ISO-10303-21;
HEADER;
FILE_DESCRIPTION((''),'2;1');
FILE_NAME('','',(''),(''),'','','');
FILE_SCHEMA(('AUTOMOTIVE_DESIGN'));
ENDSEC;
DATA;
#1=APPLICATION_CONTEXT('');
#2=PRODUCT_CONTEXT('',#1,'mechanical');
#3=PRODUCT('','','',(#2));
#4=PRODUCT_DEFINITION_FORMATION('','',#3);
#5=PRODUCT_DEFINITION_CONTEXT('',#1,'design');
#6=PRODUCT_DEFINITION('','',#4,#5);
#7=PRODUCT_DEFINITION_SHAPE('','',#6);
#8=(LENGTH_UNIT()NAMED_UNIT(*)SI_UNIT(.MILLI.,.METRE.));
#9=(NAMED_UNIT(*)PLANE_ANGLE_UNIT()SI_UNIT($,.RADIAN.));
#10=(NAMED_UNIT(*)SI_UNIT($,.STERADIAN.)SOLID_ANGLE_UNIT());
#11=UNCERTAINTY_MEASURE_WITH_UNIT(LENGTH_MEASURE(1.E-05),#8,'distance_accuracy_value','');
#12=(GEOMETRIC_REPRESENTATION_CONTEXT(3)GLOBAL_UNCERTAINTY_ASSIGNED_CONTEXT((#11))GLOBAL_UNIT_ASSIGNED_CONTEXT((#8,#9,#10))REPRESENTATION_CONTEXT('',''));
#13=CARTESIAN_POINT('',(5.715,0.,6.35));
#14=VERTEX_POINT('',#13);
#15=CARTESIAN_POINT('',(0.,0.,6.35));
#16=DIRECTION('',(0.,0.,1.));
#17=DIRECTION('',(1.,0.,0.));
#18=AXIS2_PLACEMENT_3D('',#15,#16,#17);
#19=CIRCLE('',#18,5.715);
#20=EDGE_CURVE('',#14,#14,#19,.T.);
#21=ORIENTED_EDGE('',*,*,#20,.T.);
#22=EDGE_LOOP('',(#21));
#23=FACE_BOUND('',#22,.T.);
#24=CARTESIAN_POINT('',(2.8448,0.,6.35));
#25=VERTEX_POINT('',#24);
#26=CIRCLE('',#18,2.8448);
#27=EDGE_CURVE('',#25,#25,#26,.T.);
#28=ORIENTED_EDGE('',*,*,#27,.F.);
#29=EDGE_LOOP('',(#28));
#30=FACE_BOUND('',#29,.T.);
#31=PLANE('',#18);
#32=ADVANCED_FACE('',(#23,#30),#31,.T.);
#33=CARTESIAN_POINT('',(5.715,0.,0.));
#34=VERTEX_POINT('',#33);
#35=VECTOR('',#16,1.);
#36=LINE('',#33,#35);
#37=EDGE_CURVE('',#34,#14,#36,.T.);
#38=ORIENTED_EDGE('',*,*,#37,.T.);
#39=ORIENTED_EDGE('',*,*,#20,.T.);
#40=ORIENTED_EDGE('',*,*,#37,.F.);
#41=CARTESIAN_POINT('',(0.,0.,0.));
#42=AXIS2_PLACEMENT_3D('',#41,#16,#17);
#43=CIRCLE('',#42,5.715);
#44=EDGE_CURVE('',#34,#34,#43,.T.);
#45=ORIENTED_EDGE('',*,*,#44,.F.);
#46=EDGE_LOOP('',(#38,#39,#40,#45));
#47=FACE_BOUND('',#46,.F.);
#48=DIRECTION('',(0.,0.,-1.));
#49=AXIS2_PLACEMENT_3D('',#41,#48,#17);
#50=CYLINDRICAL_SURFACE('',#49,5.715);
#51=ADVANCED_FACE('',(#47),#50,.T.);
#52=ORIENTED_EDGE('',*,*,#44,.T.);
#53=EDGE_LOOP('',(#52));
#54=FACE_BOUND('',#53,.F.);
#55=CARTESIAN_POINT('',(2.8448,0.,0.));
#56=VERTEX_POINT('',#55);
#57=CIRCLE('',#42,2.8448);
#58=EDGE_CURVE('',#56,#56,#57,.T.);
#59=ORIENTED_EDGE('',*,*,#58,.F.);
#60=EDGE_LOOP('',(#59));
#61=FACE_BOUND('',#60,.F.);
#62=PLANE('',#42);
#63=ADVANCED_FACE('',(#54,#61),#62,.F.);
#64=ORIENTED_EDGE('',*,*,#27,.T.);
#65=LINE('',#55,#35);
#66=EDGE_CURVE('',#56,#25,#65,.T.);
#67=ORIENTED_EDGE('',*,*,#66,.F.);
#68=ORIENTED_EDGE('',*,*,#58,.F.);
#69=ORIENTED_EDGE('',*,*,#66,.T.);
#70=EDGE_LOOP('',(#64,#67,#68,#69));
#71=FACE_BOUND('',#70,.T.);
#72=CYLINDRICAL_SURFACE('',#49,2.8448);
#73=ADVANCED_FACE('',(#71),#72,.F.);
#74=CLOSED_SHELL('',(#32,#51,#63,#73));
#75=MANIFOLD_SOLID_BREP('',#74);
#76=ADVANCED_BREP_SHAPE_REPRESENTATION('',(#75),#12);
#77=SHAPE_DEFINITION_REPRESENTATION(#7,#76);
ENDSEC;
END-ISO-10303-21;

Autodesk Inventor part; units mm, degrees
ref_plane "YZ Plane" through (0, 0, 0) normal (1, 0, 0) x (0, 1, 0)
ref_plane "XZ Plane" through (0, 0, 0) normal (0, 1, 0) x (-1, 0, 0)
ref_plane "XY Plane" through (0, 0, 0) normal (0, 0, 1) x (1, 0, 0)
sketch "Sketch1" plane through (0, 0, 0) normal (0, 0, 1) x (1, 0, 0)
  circle A0 centre (0, 0) radius 5.715
  circle A1 centre (0, 0) radius 2.8448
  dimension "d0" = 11.43
  dimension "d1" = 5.6896
extrude "Extrusion1" add sketch "Sketch1" along normal blind 6.35
properties part number "Shaft Collar" material "Steel"
